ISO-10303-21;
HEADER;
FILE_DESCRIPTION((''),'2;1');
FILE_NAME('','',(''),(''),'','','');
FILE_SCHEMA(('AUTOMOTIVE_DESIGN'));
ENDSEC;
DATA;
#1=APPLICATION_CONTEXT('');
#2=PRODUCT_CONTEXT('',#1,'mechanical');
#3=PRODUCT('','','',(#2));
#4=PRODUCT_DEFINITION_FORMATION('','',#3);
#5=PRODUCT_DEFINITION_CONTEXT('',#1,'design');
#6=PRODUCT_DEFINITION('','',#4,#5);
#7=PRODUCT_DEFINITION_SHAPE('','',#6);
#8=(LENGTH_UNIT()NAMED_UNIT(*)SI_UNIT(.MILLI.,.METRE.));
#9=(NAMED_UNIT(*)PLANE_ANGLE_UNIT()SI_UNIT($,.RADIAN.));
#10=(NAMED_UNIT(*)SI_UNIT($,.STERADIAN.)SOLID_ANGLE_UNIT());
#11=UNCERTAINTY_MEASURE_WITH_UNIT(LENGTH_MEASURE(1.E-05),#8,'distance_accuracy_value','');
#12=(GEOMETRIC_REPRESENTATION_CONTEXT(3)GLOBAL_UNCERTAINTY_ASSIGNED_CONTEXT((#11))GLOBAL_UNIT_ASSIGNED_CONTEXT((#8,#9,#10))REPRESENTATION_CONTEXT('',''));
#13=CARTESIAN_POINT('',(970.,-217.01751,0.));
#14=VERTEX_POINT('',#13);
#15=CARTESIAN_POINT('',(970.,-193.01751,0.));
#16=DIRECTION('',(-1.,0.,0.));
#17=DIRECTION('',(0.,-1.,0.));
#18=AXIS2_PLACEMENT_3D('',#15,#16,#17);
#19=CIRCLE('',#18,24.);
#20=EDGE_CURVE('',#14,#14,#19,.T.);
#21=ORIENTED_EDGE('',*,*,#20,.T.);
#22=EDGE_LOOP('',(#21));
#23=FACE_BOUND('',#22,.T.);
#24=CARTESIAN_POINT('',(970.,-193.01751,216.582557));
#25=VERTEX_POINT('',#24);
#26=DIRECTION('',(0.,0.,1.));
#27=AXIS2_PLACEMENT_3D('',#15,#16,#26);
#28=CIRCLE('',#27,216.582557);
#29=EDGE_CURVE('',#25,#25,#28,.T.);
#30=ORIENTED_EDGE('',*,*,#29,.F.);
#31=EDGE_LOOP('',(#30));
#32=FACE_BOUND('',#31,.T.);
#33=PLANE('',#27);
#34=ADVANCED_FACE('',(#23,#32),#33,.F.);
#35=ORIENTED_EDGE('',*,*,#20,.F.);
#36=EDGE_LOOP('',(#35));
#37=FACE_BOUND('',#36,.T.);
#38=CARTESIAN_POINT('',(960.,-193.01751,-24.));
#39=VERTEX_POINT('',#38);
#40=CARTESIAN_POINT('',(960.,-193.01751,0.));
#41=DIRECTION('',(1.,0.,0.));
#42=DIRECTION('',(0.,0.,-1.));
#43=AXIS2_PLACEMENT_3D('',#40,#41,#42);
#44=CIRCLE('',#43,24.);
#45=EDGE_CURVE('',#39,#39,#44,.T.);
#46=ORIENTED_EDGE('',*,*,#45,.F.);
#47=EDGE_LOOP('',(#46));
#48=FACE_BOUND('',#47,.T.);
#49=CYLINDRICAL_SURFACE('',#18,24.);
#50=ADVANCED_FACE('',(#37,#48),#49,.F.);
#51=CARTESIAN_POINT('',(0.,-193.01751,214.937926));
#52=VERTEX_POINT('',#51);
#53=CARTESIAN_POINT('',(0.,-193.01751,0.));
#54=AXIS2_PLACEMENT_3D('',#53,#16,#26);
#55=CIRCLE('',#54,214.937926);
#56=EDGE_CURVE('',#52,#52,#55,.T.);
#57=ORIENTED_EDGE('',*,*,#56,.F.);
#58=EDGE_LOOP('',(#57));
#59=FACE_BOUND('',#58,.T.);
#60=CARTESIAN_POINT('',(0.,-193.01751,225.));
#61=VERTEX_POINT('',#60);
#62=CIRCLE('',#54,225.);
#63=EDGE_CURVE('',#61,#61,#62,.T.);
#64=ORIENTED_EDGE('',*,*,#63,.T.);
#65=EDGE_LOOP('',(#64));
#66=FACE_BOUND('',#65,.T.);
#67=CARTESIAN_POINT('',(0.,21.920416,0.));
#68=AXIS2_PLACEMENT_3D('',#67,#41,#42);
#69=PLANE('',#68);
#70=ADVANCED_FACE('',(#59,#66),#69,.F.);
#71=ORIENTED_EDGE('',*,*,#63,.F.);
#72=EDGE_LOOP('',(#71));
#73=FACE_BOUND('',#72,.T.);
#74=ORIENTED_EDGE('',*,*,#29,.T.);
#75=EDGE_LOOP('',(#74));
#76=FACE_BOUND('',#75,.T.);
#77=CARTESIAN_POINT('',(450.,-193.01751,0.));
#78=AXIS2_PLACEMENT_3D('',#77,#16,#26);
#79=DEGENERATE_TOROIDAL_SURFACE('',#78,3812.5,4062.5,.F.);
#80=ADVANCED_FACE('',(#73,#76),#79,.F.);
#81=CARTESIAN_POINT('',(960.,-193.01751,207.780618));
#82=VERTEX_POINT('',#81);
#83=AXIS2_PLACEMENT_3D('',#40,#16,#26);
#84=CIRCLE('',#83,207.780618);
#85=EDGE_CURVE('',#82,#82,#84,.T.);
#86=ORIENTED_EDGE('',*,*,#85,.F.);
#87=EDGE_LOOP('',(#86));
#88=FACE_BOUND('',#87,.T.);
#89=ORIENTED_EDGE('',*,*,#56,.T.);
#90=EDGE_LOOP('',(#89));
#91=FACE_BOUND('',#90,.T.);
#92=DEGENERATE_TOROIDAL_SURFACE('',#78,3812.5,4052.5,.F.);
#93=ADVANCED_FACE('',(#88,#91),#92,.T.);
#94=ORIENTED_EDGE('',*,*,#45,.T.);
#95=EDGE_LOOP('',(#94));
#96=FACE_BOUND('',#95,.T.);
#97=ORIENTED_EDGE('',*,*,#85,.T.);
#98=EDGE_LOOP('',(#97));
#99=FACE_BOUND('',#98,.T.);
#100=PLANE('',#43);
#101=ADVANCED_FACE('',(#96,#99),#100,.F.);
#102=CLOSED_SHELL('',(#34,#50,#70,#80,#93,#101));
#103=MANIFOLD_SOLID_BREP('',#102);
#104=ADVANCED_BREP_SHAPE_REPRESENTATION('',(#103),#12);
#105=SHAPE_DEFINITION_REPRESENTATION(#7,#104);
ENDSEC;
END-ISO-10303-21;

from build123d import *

# Parameters (mm, degrees)
SKETCH_2_R          = 24
CUT_EXTRUDE_1_DEPTH = 971.0000001


with BuildPart() as part:
    # Эскиз1 → Повернуть1 (revolve)
    with BuildSketch(Plane.XY):
        with BuildLine():
            Line((0, 21.920416175), (0, 31.9824899))
            ThreePointArc((0, 31.9824899), (485.252139471, 56.829537687), (970, 23.565046761))
            Line((970, 23.565046761), (970, -193.0175101))
            Line((970, -193.0175101), (960, -193.0175101))
            Line((960, -193.0175101), (960, 14.763108215))
            ThreePointArc((960, 14.763108215), (480.212692106, 46.869865662), (0, 21.920416175))
        make_face()
    revolve(axis=Axis((960, -193.0175101, 0), (1, 0, 0)))

    # Эскиз2 → Вырез-Вытянуть1 (cut, through all)
    with BuildSketch(Plane.ZY):
        with Locations((0, -193.0175101)):
            Circle(SKETCH_2_R)
    extrude(amount=-CUT_EXTRUDE_1_DEPTH, mode=Mode.SUBTRACT)


solid = part.part
